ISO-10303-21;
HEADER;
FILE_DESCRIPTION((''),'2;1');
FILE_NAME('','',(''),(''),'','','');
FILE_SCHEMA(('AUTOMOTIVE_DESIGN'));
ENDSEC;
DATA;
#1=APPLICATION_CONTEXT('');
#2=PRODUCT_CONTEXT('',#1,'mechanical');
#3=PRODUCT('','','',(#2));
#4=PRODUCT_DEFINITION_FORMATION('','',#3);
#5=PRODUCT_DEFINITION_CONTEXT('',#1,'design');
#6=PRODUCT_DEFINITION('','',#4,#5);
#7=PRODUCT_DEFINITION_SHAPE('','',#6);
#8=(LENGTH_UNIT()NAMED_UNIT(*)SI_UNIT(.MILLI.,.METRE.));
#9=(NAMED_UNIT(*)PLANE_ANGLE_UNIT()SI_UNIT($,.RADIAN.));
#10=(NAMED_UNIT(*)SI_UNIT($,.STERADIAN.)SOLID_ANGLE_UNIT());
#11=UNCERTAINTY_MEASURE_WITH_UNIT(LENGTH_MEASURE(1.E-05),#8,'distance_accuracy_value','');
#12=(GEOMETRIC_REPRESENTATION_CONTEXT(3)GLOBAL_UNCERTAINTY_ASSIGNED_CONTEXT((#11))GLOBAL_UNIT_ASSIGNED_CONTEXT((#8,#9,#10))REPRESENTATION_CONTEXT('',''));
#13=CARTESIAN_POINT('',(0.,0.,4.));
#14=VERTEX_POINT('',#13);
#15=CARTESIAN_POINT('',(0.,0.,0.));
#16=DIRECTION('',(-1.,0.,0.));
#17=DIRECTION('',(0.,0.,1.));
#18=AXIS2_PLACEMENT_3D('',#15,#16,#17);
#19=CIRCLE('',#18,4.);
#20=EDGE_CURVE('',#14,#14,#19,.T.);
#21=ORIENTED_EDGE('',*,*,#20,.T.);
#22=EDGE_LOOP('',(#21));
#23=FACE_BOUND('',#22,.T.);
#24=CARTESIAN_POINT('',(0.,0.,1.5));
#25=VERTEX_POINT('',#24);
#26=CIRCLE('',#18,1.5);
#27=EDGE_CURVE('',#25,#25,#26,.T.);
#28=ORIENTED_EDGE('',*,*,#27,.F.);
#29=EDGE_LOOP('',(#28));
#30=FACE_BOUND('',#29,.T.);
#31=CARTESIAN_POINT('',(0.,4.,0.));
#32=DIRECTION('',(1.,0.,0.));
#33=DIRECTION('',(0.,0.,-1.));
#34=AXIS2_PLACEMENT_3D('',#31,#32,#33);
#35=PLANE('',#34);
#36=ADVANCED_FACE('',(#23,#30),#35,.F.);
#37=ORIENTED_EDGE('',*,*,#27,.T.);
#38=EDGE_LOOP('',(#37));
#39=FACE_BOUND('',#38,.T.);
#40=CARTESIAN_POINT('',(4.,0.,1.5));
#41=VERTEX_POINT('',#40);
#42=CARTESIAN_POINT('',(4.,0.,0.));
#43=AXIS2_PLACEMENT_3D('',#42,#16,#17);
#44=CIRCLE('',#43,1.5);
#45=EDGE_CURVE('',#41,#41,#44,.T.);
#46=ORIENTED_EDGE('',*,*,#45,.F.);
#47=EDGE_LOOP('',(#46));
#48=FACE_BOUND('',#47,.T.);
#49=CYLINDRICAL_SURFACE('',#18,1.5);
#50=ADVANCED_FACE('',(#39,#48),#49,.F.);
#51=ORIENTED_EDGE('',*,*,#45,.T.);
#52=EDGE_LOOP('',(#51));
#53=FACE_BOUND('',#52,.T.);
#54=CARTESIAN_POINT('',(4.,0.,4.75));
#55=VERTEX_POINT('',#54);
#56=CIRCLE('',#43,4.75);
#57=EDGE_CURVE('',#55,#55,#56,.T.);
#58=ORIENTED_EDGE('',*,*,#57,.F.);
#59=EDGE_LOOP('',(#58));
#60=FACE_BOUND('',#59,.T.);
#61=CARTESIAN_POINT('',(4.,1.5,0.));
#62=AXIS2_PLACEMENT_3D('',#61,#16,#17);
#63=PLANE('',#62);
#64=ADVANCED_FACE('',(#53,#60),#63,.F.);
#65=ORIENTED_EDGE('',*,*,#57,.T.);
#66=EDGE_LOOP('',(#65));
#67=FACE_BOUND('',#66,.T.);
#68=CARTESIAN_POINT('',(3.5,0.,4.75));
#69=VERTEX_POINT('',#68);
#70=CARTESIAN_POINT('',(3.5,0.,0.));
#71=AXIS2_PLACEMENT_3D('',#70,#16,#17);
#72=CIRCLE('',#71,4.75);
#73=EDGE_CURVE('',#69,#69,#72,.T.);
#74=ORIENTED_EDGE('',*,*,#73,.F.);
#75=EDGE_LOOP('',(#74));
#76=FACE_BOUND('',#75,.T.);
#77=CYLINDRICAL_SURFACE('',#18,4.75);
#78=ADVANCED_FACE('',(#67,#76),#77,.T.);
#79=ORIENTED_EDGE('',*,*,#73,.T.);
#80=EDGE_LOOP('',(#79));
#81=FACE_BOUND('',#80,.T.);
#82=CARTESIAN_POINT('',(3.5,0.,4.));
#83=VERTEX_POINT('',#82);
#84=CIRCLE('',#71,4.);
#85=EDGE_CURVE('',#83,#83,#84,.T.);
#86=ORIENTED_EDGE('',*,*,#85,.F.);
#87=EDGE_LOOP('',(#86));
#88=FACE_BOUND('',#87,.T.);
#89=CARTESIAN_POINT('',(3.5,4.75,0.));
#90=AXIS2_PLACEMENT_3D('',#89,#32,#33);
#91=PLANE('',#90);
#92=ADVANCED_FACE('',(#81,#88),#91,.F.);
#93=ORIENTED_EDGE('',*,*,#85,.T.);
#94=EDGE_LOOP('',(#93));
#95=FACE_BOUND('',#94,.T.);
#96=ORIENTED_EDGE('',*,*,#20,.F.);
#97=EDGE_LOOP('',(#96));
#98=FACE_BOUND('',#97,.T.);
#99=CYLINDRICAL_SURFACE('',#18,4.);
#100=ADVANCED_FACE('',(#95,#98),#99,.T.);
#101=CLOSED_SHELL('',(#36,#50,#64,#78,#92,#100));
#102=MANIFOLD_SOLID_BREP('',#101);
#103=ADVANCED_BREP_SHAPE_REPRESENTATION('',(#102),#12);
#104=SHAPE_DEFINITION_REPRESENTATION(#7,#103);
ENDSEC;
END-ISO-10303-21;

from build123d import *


with BuildPart() as part:
    # Sketch1 → Revolve1 (revolve)
    with BuildSketch(Plane.XY, mode=Mode.PRIVATE) as revolve1_sk:
        Polygon((0, 1.5), (4, 1.5), (4, 4.75), (3.5, 4.75), (3.5, 4), (0, 4), align=None)
    revolve(revolve1_sk.sketch.rotate(Axis((0, 0, 0), (1, 0, 0)), 90), axis=Axis((0, 0, 0), (1, 0, 0)))


solid = part.part
